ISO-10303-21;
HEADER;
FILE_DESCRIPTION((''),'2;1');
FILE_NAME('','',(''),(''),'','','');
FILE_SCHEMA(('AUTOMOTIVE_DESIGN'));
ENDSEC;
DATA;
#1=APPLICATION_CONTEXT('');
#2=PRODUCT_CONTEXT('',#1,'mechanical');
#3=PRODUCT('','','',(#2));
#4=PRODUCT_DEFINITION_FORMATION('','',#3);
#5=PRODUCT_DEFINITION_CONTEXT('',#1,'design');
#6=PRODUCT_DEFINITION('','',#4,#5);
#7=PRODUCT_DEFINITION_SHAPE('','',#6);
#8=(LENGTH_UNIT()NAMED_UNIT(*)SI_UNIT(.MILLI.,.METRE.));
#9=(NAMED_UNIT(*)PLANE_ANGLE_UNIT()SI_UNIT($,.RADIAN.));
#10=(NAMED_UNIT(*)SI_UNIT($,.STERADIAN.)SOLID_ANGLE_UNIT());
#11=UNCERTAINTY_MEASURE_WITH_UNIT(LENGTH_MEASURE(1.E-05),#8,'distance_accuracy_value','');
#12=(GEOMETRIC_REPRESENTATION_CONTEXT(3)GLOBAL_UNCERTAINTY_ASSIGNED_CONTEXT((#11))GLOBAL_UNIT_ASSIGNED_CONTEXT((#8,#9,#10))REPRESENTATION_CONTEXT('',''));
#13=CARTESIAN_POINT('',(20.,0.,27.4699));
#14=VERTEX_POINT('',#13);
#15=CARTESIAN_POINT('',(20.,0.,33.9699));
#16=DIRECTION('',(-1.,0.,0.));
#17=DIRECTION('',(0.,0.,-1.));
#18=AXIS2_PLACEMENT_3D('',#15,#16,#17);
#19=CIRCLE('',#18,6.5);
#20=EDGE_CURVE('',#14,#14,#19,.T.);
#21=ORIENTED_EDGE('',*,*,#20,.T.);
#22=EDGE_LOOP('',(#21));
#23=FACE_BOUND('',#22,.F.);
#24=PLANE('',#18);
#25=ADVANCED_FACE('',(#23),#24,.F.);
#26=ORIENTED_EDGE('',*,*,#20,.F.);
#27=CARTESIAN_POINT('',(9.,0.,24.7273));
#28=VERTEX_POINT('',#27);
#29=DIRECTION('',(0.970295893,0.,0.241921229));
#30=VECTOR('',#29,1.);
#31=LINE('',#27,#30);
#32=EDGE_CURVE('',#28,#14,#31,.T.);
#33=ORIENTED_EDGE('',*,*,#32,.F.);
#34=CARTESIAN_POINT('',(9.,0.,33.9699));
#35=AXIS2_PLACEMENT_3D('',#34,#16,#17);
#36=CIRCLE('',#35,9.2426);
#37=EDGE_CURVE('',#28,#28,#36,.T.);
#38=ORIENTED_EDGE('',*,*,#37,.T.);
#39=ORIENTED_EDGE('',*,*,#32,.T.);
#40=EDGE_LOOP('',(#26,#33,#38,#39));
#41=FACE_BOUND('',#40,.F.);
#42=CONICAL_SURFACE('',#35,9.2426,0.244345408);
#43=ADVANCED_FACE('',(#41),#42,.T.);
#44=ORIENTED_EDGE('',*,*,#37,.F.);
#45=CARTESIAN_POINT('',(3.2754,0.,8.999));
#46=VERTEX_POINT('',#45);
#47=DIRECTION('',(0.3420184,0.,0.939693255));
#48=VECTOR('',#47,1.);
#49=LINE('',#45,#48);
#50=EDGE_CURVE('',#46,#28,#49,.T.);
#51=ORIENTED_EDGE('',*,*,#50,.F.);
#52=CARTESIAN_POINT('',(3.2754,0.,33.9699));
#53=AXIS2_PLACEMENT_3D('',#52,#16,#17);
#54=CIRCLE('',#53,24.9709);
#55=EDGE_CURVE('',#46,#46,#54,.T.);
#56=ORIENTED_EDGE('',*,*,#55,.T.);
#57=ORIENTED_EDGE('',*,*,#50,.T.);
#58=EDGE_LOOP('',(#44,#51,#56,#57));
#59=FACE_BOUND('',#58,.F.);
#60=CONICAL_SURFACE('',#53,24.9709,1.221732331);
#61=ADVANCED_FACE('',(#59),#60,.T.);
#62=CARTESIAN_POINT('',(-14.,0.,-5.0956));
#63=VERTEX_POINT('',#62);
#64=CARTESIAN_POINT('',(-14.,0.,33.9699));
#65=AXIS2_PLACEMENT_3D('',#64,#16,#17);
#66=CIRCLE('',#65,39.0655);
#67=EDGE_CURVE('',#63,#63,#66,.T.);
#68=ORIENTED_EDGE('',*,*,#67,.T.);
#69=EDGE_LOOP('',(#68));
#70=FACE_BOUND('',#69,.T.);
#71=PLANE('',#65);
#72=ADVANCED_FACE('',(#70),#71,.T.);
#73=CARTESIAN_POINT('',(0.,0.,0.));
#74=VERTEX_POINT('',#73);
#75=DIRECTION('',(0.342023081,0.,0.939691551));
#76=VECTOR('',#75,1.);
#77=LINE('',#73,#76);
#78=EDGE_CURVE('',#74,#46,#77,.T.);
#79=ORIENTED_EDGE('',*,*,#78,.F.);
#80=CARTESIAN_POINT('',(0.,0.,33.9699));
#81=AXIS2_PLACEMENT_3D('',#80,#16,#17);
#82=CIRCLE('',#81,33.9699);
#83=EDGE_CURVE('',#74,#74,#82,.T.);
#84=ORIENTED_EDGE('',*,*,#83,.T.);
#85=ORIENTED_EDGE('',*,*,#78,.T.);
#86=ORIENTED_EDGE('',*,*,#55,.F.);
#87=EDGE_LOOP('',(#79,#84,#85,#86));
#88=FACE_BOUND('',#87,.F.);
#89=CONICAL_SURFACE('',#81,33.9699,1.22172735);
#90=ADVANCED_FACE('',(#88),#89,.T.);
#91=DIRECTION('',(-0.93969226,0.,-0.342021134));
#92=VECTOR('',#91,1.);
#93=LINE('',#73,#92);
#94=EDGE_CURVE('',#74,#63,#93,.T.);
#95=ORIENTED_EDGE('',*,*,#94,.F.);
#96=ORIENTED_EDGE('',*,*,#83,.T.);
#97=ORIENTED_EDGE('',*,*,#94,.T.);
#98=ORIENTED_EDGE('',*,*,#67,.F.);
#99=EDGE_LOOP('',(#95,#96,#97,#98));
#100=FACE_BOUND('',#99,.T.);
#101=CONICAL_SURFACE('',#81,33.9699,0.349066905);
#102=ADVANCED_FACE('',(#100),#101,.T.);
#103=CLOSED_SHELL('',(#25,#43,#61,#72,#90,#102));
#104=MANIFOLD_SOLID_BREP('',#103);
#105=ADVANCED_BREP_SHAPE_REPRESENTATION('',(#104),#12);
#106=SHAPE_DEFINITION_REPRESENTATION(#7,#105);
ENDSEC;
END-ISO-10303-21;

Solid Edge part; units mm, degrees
sketch "Sketch1" plane through (0, 0, 0) normal (0, -1, 0) x (1, 0, 0)
  line L0 (20, 33.9699) -> (-14, 33.9699)
  line L1 (-14, -5.0956) -> (-14, 33.9699)
  line L2 (0, 0) -> (-14, -5.0956)
  line L3 (0, 0) -> (3.2754, 8.999)
  line L4 (3.2754, 8.999) -> (9, 24.7273)
  line L5 (9, 24.7273) -> (20, 27.4699)
  line L6 (20, 27.4699) -> (20, 33.9699)
revolve "RevolvedProtrusion1" add sketch "Sketch1" angle 360 about axis through (20, 0, 33.9699) along (-1, 0, 0)
